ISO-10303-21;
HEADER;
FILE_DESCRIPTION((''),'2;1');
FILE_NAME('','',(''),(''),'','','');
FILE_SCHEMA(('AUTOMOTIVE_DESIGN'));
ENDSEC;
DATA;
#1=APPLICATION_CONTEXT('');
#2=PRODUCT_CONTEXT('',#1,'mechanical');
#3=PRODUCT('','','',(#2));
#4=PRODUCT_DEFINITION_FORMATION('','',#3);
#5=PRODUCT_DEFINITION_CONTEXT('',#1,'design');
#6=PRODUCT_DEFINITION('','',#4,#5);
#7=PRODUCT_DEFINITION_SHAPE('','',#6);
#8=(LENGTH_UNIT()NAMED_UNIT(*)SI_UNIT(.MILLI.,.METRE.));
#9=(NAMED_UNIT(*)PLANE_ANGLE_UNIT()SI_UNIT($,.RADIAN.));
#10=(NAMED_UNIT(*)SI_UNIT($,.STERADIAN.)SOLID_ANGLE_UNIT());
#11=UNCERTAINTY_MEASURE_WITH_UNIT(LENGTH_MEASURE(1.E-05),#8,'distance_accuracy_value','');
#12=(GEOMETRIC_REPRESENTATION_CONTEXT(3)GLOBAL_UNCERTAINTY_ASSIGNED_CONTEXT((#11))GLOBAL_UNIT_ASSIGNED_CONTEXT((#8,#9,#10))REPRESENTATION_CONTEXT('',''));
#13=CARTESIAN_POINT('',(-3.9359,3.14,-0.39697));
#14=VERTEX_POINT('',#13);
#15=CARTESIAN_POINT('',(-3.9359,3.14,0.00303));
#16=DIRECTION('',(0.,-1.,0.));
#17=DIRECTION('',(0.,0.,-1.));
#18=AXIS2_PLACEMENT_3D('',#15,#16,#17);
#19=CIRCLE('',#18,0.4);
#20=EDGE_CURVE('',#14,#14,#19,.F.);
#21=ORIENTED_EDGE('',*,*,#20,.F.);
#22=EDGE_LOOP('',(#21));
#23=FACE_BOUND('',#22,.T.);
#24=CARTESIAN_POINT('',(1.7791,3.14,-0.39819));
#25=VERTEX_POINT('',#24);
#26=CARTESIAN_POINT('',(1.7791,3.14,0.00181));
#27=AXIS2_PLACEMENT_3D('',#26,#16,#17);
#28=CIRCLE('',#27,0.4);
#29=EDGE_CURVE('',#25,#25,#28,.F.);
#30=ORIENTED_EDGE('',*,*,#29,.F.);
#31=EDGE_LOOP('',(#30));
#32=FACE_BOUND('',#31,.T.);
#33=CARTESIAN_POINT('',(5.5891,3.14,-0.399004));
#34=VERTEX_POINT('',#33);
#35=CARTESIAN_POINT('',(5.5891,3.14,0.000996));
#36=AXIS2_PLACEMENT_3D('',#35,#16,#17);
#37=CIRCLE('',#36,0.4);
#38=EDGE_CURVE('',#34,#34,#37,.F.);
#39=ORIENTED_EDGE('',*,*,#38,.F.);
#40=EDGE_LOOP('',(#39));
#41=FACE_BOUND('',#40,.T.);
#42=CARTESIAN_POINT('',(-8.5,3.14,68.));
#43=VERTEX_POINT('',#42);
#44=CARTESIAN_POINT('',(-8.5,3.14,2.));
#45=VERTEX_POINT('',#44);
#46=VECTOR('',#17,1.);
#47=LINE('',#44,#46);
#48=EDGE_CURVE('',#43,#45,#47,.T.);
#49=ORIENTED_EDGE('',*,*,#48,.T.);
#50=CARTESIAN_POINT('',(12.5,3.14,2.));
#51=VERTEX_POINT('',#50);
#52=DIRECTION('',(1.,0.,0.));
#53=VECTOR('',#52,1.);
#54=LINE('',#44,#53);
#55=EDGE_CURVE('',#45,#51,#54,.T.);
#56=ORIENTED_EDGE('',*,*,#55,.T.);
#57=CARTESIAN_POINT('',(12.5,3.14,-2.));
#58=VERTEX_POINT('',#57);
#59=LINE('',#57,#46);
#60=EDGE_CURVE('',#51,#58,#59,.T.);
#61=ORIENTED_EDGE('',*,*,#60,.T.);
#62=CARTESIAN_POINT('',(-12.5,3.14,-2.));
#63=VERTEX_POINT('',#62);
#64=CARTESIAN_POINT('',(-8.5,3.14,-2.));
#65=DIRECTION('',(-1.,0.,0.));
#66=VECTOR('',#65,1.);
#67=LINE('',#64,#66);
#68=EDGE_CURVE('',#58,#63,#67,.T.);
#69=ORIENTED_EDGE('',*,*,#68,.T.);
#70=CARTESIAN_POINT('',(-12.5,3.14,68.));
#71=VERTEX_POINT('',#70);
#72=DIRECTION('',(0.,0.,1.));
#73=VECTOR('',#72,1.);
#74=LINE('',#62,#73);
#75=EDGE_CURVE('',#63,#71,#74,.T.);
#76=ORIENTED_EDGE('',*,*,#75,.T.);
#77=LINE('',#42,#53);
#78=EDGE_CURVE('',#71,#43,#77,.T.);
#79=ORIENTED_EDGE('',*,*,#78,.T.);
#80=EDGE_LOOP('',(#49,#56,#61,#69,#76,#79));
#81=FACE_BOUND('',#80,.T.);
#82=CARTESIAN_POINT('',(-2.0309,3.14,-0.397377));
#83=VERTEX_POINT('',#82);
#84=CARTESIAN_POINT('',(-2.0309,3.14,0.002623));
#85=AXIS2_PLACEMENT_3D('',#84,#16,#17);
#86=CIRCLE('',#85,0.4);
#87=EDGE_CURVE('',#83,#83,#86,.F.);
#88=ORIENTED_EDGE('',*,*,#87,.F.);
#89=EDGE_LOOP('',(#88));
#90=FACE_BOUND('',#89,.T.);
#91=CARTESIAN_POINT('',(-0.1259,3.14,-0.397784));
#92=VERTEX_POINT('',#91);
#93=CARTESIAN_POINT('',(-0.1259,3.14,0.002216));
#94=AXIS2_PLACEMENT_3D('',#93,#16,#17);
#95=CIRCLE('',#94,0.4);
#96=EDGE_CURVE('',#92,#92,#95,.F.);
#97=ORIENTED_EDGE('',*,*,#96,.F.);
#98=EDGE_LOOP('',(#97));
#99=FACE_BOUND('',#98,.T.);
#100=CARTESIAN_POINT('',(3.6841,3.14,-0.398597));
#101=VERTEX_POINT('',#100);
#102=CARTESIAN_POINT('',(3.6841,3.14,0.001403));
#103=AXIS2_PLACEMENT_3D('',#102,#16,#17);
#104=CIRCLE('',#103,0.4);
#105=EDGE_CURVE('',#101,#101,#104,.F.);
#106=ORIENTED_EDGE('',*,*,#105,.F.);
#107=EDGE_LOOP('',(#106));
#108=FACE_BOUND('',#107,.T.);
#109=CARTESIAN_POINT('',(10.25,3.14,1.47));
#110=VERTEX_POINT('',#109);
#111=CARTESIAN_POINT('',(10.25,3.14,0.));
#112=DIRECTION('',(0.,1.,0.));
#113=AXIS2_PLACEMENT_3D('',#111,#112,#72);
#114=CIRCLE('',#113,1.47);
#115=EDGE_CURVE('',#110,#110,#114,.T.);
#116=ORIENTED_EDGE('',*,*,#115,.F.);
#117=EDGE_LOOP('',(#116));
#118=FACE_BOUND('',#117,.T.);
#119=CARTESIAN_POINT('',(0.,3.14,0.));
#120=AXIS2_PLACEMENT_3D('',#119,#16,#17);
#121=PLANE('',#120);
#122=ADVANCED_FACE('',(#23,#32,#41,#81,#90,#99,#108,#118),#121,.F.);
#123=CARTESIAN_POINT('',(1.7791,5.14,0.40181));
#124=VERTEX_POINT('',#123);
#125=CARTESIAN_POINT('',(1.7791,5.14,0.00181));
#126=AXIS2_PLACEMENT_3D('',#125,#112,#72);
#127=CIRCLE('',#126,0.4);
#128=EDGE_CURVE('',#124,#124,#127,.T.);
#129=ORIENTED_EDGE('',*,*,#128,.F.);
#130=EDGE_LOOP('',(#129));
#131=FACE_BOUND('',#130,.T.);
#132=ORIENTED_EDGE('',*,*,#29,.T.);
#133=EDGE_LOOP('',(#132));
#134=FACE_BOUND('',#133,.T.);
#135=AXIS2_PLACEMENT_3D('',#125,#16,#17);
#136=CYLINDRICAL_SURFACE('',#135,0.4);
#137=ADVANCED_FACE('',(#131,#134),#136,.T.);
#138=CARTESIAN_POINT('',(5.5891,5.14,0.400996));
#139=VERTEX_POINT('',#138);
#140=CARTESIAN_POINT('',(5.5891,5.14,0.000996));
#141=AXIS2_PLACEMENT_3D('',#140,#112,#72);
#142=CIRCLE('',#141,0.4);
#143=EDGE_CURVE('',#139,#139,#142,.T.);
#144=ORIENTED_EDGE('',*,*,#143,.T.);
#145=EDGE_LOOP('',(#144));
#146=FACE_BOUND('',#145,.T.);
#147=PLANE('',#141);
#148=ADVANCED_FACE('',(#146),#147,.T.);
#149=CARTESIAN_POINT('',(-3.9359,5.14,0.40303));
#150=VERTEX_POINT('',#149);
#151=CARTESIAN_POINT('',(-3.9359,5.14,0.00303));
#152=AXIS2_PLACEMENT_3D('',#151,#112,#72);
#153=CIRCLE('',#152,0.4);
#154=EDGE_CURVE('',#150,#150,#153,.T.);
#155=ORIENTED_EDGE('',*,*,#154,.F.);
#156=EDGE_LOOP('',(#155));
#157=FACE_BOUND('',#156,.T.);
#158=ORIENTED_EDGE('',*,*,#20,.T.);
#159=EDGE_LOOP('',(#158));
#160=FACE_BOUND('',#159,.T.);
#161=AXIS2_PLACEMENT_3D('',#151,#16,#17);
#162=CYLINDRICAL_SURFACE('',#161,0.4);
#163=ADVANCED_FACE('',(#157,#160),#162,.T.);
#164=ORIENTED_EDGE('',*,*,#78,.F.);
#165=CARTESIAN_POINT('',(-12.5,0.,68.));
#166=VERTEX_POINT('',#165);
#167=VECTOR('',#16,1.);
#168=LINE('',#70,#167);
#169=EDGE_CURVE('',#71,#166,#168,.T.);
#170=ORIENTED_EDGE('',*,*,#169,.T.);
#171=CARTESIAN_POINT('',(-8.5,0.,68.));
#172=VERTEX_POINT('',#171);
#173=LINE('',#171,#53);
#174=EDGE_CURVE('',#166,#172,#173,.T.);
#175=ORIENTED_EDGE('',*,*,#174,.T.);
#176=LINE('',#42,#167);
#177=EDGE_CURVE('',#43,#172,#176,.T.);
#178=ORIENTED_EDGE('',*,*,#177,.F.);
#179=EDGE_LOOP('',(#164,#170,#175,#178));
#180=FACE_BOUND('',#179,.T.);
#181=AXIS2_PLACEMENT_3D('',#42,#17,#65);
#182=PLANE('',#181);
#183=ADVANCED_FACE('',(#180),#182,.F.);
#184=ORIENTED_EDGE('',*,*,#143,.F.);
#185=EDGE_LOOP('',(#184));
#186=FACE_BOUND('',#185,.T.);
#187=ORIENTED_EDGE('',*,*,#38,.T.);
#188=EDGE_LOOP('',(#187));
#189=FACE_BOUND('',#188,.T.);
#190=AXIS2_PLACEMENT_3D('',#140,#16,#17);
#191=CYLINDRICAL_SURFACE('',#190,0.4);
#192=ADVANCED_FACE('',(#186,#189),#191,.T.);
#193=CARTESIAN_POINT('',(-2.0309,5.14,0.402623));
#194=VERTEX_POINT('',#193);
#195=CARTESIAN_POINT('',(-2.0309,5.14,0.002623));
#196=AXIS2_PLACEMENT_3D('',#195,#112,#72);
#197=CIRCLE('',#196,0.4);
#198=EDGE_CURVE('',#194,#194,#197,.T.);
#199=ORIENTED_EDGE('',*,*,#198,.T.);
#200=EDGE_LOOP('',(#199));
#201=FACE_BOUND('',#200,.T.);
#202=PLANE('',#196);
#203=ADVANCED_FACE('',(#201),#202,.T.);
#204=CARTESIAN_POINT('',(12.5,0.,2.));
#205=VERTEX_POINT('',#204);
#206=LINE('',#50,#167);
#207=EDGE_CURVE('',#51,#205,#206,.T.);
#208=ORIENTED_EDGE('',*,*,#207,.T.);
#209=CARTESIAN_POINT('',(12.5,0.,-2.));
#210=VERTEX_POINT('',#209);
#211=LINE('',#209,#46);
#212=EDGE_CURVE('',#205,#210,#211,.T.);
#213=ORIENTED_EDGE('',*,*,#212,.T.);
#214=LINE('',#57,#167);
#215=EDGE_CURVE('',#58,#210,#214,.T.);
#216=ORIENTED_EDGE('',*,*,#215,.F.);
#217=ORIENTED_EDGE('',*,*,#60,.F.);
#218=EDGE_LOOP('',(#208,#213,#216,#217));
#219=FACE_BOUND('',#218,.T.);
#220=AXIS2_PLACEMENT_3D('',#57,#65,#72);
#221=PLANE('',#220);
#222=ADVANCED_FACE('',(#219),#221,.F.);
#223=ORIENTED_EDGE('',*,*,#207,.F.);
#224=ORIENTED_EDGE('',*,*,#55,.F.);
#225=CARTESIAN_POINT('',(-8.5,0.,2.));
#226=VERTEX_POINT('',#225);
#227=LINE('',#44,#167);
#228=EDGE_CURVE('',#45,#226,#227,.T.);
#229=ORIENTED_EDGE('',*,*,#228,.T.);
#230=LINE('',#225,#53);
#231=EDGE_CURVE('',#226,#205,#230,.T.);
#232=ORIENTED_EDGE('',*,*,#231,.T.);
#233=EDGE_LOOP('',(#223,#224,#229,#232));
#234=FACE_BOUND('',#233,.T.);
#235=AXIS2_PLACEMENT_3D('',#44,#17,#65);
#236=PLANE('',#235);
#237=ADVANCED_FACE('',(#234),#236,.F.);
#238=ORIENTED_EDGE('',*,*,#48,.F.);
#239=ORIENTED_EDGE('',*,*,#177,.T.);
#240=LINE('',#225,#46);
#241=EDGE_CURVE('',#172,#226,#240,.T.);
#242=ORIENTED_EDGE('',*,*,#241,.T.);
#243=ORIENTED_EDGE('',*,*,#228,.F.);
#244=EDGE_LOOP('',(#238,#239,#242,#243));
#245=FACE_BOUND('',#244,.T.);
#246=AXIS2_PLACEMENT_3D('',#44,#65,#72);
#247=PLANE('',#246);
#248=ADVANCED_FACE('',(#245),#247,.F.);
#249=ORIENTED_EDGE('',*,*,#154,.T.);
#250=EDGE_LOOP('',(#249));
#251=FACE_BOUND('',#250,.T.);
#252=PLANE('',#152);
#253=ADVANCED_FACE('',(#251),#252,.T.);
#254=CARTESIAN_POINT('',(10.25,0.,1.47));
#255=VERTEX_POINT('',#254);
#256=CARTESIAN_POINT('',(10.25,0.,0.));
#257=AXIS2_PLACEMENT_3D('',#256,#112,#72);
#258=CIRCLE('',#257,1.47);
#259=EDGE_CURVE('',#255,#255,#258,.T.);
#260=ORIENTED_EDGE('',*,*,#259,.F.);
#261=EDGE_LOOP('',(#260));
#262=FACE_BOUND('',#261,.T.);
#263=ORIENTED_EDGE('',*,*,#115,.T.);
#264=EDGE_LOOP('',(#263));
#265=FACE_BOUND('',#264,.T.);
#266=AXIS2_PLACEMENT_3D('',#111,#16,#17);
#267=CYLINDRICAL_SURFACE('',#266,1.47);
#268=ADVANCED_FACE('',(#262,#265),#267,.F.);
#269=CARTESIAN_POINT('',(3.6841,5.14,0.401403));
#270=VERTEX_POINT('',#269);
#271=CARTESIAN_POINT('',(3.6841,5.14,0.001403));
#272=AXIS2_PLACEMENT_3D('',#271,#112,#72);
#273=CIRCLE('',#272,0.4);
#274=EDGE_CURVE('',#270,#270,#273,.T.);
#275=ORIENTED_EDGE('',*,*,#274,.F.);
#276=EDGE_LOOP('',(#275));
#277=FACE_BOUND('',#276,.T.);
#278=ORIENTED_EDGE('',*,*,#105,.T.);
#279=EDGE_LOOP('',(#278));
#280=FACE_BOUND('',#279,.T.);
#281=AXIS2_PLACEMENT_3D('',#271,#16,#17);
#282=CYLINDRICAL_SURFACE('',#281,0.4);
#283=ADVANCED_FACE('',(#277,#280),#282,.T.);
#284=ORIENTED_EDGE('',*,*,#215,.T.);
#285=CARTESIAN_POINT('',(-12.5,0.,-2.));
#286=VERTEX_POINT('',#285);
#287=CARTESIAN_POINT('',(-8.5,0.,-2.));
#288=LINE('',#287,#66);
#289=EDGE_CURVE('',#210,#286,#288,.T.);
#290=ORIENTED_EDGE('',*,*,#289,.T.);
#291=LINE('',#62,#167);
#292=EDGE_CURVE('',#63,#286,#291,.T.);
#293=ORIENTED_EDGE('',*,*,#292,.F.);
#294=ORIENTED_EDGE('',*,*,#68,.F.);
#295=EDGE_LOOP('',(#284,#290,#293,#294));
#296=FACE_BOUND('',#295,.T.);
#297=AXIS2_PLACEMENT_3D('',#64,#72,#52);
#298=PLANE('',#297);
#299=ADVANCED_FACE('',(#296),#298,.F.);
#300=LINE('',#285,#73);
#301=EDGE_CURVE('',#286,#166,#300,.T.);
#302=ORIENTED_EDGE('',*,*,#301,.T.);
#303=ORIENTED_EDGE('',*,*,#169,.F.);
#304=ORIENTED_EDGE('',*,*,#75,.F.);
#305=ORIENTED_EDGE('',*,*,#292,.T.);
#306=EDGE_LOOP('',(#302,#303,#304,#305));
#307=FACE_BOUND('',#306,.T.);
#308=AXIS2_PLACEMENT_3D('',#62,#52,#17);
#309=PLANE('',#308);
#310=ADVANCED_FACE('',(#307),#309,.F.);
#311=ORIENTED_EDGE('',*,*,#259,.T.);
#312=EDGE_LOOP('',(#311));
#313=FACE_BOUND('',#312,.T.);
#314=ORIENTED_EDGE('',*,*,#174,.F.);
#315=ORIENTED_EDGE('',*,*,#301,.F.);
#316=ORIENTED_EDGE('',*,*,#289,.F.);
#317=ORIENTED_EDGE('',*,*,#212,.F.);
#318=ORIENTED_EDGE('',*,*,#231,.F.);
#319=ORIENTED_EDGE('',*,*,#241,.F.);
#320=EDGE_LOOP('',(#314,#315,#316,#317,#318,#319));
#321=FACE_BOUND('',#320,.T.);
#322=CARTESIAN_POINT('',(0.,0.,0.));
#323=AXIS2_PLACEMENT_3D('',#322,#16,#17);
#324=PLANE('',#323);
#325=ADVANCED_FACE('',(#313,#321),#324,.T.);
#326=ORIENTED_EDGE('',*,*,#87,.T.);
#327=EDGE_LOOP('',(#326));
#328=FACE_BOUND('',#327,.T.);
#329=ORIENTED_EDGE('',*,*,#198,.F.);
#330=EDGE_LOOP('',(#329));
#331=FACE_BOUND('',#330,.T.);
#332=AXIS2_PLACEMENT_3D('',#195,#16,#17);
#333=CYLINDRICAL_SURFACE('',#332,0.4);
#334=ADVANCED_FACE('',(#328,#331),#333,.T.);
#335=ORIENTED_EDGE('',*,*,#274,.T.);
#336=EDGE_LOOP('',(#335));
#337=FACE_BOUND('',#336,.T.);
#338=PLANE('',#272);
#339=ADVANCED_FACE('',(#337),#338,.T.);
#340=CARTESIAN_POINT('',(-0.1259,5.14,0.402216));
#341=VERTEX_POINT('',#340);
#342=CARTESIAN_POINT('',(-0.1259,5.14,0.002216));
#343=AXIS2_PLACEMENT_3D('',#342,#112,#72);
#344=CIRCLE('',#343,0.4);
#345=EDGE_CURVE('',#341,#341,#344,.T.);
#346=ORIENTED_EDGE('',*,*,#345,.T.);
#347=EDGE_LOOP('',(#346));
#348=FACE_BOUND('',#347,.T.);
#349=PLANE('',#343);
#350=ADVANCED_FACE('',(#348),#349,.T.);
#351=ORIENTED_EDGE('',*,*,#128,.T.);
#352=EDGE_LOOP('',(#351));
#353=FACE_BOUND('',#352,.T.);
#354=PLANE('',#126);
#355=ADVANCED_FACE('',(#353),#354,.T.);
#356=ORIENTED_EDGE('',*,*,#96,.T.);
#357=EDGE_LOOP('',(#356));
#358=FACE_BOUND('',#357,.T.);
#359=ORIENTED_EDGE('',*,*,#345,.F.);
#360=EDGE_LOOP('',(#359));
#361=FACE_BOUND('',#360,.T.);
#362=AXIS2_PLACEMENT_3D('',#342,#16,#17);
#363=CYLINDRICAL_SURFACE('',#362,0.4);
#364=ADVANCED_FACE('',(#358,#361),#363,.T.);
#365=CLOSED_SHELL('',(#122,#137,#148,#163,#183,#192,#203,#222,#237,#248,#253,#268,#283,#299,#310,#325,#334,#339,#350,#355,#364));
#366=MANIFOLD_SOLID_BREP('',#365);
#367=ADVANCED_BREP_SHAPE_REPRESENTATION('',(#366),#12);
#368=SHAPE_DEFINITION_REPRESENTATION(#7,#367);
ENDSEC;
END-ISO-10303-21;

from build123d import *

# Parameters (mm, degrees)
SKETCH1_R           = 1.47
BOSS_EXTRUDE1_DEPTH = 3.14
SKETCH6_R           = 0.4
BOSS_EXTRUDE4_DEPTH = 2


with BuildPart() as part:
    # Sketch1 → Boss-Extrude1 (new body)
    with BuildSketch(Plane(origin=(0, 0, 0), x_dir=(1, 0, 0), z_dir=(0, 1, 0))):
        Polygon((12.5, 2), (12.5, -2), (-8.5, -2), (-8.5, -68), (-12.5, -68), (-12.5, 2), (-8.5, 2), align=None)
        with Locations(Location((10.25, 0, 0), (0, 0, 270))):
            Circle(SKETCH1_R, mode=Mode.SUBTRACT)
    extrude(amount=BOSS_EXTRUDE1_DEPTH)

    # Sketch6 → Boss-Extrude4 (add)
    with BuildSketch(Plane(origin=(0, 3.14, 0), x_dir=(1, 0, 0), z_dir=(0, 1, 0))):
        with Locations(Location((-3.935899676, -0.003030319, 0), (0, 0, 90))):
            Circle(SKETCH6_R)
        with Locations(Location((-2.03089972, -0.002623383, 0), (0, 0, 90))):
            Circle(SKETCH6_R)
        with Locations(Location((-0.125899763, -0.002216446, 0), (0, 0, 90))):
            Circle(SKETCH6_R)
        with Locations(Location((1.779100193, -0.00180951, 0), (0, 0, 90))):
            Circle(SKETCH6_R)
        with Locations(Location((3.68410015, -0.001402574, 0), (0, 0, 90))):
            Circle(SKETCH6_R)
        with Locations(Location((5.589100106, -0.000995637, 0), (0, 0, 90))):
            Circle(SKETCH6_R)
    extrude(amount=BOSS_EXTRUDE4_DEPTH)


solid = part.part
